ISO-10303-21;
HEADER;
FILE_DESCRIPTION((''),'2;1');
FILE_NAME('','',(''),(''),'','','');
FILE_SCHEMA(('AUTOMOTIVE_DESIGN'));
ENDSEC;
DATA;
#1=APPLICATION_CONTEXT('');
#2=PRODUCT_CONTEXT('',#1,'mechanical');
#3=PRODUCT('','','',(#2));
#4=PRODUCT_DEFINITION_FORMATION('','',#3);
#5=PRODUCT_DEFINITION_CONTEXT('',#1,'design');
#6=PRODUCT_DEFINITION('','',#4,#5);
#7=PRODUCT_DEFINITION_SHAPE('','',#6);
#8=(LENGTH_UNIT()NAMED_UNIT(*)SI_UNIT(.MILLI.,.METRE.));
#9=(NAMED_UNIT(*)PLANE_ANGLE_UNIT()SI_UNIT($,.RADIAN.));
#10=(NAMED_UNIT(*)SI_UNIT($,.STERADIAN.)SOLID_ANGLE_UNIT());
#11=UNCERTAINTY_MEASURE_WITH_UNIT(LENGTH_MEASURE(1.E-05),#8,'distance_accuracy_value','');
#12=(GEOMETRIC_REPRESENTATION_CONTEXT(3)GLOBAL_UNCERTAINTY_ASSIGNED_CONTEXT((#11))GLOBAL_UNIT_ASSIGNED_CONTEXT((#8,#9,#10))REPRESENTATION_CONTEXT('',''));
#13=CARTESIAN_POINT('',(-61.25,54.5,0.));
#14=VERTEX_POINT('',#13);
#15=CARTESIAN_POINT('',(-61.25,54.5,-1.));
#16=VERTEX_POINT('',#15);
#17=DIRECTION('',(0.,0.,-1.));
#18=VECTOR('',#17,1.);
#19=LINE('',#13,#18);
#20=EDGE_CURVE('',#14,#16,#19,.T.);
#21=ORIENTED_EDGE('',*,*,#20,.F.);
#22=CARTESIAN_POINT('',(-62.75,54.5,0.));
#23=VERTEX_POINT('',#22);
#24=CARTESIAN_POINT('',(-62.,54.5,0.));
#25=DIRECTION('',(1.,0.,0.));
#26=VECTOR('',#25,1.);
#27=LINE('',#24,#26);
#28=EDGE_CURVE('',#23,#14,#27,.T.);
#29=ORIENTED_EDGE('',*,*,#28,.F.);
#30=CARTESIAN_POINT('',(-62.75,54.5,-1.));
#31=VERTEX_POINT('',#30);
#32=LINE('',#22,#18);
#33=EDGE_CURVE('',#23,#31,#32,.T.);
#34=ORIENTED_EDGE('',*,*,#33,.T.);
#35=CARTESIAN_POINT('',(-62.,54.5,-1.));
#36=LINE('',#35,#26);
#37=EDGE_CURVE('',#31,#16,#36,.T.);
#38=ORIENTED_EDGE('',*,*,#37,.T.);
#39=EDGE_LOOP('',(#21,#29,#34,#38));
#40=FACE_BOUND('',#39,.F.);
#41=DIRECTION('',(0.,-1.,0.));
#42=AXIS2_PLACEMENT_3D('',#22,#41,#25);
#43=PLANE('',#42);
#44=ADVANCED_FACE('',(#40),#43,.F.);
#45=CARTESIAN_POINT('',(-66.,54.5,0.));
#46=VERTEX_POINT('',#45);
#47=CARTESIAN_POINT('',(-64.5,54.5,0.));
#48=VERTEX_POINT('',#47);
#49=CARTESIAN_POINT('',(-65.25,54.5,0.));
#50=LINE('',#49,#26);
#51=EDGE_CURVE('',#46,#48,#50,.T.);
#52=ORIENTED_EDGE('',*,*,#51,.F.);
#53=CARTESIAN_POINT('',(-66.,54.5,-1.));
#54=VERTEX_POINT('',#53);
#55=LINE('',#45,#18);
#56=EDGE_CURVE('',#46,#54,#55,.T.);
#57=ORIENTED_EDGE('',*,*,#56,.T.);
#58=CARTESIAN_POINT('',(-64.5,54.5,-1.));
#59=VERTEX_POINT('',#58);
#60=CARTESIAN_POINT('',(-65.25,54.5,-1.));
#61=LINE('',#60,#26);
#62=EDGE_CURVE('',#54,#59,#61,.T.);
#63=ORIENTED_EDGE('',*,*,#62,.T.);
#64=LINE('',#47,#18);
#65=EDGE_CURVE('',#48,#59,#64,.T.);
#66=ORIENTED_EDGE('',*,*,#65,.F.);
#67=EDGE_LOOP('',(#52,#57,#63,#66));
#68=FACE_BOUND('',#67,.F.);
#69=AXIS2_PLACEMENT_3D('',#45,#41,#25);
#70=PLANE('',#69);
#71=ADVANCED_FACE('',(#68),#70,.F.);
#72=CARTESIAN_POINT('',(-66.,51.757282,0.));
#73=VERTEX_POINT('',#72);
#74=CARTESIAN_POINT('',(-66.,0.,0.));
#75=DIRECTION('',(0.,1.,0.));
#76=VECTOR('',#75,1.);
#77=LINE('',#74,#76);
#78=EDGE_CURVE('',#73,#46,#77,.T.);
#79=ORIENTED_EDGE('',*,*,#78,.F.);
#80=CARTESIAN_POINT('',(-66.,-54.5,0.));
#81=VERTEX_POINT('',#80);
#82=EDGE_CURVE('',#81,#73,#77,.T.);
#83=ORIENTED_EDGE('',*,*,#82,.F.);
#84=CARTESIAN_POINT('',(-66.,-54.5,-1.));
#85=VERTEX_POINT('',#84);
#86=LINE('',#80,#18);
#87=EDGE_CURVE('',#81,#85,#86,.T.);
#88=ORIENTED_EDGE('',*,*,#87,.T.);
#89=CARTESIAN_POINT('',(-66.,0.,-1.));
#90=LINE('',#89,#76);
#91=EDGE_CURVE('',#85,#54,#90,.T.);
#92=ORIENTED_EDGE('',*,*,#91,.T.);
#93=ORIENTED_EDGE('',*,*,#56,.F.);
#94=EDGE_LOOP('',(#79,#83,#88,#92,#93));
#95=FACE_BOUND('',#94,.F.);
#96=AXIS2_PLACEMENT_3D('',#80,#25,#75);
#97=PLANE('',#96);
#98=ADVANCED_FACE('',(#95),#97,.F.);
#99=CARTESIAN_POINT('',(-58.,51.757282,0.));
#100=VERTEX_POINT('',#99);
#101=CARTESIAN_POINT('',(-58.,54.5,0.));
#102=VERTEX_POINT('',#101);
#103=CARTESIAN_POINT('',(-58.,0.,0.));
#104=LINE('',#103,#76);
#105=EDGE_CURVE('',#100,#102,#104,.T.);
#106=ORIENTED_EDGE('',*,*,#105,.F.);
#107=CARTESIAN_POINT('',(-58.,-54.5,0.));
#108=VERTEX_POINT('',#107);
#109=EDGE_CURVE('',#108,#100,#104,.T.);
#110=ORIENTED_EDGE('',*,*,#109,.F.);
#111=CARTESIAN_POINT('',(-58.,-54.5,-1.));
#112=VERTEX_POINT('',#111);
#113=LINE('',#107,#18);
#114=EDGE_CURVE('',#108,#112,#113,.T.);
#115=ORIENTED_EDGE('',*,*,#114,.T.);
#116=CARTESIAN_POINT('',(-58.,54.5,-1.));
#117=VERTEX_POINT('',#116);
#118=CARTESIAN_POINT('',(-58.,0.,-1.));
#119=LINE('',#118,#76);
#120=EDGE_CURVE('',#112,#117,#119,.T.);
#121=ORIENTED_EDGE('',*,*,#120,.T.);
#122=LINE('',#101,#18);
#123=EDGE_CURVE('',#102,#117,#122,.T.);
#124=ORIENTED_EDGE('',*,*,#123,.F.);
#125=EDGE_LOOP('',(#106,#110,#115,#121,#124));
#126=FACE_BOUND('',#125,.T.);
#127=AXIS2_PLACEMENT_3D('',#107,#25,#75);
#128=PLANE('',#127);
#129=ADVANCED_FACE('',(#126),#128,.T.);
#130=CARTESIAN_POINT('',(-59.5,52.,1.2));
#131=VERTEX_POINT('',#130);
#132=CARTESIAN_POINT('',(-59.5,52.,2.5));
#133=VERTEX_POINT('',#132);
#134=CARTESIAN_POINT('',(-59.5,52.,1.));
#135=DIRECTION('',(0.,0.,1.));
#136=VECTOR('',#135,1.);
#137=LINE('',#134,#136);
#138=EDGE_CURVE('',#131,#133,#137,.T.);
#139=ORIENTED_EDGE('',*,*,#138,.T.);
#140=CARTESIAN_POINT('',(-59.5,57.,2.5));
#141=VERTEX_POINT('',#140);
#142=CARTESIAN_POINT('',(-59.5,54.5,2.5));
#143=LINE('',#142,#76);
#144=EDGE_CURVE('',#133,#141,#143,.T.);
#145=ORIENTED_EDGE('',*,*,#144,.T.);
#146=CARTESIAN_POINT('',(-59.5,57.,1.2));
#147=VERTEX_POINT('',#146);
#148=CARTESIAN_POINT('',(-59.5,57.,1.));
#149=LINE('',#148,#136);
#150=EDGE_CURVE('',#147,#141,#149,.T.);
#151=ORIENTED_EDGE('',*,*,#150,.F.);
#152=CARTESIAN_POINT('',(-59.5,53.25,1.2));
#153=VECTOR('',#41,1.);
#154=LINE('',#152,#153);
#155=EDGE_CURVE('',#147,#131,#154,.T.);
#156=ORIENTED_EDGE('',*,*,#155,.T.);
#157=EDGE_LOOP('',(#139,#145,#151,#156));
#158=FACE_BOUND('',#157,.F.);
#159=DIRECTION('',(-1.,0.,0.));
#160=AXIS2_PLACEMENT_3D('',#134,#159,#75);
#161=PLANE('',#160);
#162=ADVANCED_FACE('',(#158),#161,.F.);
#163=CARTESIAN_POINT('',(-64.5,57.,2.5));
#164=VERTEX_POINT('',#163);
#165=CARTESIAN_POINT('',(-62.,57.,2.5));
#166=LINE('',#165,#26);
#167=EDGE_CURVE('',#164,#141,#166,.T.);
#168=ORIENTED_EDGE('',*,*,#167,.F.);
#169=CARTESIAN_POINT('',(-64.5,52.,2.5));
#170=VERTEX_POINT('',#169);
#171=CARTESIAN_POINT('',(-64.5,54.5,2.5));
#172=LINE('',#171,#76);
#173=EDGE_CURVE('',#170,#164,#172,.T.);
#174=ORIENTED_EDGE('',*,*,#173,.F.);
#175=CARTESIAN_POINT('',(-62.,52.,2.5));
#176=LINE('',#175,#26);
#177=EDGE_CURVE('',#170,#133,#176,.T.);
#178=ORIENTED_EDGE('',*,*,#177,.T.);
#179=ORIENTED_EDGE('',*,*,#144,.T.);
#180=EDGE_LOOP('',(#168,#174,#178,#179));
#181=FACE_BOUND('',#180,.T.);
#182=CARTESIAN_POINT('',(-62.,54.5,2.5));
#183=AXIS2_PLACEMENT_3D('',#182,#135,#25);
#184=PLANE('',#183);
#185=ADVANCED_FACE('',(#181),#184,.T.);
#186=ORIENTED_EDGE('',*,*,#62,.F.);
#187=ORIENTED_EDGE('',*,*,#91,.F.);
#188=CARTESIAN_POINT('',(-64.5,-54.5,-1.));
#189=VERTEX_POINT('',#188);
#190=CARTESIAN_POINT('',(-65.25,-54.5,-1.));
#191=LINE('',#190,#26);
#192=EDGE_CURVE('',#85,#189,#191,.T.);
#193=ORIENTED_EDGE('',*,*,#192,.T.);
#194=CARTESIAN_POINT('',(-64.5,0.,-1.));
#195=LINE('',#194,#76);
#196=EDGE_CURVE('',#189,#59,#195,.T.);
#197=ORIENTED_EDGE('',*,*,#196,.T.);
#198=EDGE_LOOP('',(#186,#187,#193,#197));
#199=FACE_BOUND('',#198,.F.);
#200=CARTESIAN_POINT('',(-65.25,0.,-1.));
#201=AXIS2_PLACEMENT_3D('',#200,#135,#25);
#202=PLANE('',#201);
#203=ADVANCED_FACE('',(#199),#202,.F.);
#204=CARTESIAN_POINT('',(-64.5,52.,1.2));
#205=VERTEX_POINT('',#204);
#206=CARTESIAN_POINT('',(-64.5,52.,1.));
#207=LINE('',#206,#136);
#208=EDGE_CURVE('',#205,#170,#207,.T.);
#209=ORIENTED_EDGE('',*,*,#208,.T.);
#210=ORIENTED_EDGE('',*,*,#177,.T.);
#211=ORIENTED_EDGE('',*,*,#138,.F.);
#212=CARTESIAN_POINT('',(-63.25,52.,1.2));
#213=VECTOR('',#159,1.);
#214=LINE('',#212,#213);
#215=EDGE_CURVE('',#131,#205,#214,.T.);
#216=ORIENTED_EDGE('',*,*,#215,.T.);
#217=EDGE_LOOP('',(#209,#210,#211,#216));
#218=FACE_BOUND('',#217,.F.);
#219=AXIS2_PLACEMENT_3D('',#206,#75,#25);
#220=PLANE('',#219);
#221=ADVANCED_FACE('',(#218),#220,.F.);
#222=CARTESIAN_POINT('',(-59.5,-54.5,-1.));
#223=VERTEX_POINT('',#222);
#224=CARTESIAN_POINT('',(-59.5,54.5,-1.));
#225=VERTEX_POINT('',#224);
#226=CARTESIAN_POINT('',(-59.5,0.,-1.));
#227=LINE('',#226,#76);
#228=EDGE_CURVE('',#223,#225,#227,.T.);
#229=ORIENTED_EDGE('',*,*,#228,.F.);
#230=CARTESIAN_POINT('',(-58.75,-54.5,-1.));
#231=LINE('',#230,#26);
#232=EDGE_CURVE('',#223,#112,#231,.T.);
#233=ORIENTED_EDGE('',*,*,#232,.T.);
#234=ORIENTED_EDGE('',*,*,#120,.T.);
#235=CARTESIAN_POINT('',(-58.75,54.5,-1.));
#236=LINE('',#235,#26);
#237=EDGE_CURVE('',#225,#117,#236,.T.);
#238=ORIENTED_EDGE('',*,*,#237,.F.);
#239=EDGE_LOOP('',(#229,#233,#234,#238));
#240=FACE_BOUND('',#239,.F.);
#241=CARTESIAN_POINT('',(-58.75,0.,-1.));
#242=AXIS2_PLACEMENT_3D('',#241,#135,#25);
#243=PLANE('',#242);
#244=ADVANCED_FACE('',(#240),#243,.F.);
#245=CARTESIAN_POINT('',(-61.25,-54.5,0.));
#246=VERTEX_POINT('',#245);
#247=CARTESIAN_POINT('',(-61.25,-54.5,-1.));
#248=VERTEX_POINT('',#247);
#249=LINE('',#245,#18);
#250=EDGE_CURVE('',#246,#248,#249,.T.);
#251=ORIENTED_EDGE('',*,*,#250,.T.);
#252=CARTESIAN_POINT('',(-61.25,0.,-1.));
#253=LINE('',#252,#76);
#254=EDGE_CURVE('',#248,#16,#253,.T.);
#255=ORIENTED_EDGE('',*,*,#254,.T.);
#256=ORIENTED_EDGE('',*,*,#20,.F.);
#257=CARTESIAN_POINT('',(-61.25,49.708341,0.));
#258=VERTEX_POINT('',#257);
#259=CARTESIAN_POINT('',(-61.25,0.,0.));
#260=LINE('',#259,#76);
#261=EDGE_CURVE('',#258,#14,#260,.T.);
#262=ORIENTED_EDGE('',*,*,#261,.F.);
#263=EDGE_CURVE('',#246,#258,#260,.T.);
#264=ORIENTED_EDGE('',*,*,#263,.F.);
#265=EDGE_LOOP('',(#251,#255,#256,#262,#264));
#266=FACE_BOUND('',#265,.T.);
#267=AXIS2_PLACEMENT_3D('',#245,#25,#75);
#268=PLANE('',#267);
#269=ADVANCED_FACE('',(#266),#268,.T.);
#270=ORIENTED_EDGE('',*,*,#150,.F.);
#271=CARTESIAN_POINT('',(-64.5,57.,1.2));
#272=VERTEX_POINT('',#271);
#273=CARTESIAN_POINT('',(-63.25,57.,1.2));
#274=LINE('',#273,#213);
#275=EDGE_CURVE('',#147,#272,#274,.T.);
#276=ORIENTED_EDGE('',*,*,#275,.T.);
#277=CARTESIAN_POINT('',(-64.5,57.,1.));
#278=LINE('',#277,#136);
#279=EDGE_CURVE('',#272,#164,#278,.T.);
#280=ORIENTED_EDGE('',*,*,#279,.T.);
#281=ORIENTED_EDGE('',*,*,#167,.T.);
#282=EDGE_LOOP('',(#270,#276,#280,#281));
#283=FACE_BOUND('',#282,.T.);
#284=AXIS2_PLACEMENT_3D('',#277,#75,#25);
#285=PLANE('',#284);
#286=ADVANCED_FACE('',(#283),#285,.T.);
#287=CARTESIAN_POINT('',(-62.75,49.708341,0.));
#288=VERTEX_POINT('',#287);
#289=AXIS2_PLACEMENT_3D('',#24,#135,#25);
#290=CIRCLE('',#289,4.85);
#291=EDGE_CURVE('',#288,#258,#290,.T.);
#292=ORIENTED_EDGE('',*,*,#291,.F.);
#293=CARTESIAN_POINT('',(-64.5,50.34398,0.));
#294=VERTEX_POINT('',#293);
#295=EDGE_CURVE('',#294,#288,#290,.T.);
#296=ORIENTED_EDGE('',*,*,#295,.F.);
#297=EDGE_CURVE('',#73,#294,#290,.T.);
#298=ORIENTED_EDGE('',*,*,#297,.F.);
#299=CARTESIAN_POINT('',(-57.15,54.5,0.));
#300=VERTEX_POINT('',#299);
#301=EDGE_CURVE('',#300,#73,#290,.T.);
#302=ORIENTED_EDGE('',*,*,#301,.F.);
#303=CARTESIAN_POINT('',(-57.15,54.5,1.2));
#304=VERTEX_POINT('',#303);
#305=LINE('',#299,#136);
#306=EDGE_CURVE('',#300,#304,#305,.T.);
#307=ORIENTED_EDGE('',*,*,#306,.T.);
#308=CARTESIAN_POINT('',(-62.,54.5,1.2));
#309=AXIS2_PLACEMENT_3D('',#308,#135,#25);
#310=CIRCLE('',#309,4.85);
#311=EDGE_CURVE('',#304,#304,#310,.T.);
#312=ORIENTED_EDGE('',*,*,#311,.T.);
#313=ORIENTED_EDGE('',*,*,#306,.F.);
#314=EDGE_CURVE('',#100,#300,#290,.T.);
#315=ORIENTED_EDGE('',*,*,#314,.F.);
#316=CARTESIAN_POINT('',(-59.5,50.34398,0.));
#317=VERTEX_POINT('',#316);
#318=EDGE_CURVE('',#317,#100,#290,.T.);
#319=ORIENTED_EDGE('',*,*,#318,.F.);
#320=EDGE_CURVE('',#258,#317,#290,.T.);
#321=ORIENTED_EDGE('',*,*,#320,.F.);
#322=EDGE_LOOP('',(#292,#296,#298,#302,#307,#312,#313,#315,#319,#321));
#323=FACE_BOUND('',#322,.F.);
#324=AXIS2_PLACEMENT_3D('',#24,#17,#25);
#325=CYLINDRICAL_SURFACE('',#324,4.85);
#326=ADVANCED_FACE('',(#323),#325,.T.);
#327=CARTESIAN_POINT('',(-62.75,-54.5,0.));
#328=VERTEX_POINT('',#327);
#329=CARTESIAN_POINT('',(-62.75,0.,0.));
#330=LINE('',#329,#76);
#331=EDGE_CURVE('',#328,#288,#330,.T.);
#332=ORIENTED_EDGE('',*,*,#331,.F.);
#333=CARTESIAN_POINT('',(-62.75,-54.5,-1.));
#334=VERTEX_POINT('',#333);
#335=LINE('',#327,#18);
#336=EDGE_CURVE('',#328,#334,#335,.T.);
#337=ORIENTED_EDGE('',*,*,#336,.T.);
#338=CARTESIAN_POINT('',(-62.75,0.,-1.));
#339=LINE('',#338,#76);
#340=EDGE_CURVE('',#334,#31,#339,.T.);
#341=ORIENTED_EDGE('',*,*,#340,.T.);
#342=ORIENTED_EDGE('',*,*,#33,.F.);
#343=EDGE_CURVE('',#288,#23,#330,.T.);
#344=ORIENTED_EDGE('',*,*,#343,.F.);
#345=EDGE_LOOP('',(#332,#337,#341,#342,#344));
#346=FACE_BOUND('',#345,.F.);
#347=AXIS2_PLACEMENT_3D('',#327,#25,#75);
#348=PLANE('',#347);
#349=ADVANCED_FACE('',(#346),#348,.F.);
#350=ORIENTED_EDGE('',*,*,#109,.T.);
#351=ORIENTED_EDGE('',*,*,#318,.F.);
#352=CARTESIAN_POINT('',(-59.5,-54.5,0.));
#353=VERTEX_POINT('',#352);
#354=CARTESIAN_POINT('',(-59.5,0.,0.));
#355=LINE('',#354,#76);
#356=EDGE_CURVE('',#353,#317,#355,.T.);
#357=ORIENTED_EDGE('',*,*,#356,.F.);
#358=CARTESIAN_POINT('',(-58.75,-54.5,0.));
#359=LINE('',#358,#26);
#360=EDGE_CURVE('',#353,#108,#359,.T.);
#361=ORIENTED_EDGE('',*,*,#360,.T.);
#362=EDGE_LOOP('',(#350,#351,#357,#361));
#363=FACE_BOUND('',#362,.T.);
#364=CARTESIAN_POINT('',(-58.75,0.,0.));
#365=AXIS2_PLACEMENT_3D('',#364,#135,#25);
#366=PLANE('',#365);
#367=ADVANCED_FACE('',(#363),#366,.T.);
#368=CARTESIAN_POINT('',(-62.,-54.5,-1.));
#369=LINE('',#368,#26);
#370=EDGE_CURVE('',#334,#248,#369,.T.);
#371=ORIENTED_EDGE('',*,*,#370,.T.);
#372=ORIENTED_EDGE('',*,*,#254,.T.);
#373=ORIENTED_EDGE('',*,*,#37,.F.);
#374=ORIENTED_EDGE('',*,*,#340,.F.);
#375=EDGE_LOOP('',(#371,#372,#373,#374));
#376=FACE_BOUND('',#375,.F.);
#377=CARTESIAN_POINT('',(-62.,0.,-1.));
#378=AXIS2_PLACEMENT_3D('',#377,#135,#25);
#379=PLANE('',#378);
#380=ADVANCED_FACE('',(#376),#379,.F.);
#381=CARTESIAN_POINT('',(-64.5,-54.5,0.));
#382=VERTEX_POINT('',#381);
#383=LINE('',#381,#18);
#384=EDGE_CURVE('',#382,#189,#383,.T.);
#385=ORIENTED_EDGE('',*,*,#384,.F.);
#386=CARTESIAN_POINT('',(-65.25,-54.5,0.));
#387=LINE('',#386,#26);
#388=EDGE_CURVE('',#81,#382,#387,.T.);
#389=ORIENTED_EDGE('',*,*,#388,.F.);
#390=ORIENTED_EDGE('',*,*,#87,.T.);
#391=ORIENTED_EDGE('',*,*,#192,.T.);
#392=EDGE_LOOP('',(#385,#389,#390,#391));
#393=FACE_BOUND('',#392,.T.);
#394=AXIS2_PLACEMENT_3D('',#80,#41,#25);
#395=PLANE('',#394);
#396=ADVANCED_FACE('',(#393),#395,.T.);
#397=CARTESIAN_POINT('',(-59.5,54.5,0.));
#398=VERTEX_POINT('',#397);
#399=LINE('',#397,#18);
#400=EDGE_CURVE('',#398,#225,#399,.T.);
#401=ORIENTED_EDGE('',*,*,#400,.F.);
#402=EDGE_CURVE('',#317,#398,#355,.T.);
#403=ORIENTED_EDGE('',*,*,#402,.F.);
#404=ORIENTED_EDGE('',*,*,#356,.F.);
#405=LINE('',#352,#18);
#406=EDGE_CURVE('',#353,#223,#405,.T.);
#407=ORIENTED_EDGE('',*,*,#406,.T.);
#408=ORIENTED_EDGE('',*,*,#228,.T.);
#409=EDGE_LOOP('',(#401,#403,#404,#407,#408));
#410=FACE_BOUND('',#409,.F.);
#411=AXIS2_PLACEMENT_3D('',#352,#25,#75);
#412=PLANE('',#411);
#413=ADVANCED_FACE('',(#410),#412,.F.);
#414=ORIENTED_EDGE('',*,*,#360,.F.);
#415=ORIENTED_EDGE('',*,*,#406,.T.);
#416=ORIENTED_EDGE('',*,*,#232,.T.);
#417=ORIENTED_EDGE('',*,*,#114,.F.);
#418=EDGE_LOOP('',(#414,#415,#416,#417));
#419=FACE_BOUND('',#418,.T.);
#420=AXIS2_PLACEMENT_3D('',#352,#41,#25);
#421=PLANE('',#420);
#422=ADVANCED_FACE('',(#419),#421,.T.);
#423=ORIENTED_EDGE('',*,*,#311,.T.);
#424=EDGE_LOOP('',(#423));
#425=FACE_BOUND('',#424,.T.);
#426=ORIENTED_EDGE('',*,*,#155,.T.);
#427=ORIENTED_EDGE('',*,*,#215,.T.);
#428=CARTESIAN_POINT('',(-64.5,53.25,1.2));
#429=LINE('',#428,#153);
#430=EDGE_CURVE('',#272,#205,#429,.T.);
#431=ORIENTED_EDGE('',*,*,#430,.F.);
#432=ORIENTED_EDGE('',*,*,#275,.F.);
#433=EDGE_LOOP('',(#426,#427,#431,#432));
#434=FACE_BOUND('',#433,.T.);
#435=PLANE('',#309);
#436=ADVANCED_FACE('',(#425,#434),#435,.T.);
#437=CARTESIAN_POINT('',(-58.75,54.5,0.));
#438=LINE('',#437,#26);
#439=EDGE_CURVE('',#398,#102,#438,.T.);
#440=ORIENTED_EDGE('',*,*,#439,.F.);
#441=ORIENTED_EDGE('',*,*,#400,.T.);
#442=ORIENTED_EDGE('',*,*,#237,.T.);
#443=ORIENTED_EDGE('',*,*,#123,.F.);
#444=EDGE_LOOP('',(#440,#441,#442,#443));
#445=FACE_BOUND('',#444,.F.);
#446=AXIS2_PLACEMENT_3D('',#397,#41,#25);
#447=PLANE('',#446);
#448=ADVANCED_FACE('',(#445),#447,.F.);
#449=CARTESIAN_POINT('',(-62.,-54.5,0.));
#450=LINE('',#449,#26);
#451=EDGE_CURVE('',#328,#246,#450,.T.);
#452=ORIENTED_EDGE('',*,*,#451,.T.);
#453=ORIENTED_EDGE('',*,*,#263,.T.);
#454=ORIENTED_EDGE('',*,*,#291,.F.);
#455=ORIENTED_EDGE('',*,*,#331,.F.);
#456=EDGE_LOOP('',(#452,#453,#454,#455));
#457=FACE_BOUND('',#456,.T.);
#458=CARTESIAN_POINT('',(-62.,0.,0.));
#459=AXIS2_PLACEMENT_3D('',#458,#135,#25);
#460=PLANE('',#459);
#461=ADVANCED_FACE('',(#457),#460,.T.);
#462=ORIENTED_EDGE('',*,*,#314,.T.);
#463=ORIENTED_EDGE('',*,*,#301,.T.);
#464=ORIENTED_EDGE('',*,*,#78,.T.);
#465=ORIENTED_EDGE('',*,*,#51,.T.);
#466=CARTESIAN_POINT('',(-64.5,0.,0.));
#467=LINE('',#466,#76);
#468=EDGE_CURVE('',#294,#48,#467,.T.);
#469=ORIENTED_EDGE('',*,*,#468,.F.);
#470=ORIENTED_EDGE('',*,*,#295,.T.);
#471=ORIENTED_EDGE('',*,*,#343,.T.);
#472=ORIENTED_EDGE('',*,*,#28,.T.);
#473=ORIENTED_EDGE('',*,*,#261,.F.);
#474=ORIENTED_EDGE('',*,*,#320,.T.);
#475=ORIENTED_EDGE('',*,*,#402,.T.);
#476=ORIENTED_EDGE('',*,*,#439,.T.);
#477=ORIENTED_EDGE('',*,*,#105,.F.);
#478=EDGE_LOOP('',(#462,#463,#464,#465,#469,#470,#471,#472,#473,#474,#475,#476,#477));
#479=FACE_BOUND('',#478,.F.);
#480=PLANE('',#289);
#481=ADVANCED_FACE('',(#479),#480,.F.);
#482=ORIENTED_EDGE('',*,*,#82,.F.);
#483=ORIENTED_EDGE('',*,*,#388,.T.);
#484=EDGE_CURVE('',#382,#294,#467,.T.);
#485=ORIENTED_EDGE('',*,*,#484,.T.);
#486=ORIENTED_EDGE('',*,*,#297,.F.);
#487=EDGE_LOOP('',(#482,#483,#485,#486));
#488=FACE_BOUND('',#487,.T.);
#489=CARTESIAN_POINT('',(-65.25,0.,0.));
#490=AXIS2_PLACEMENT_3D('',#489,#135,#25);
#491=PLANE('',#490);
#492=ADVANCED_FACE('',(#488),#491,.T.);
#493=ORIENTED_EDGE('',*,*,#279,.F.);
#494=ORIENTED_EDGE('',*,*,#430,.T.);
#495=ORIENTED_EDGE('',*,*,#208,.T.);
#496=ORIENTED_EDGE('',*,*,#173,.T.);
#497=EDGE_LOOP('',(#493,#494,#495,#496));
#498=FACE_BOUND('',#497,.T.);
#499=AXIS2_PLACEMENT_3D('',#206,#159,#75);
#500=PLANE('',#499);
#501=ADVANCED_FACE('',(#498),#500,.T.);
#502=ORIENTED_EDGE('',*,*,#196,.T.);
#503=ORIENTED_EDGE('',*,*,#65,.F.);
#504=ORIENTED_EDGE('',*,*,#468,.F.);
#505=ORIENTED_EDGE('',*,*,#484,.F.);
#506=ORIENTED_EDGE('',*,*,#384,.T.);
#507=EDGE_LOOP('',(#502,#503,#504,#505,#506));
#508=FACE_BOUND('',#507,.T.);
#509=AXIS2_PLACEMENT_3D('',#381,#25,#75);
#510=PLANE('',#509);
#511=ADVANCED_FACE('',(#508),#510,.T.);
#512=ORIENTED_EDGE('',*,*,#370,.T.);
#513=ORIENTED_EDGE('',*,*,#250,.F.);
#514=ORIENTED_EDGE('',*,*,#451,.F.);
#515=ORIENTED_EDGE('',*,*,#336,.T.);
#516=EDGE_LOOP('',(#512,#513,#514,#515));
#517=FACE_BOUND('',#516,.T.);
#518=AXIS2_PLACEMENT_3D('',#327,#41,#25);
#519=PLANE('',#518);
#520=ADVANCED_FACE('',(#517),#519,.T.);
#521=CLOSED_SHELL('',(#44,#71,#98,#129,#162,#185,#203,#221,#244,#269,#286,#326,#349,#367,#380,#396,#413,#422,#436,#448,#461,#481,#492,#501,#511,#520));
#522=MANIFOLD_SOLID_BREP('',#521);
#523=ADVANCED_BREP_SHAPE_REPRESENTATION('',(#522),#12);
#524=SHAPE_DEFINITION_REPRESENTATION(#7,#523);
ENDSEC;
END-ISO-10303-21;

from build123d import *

# Parameters (mm, degrees)
CYLINDER003_R     = 4.85
CYLINDER003_DEPTH = 1.2
SKETCH037_W       = 1.5
SKETCH037_H       = 109
PAD020_DEPTH      = 1
BOX001_W          = 5
BOX001_H          = 5
BOX001_DEPTH      = 1.5


with BuildPart() as part:
    # Cylinder003 → Cylinder003 (join)
    with BuildSketch(Plane(origin=(0, 54.5, 0), x_dir=(1, 0, 0), z_dir=(0, 0, 1))):
        Circle(CYLINDER003_R)
    extrude(amount=CYLINDER003_DEPTH)

    # Sketch037 → Pad020 (join)
    with BuildSketch(Plane.XY):
        with Locations((-3.25, 0)):
            Rectangle(SKETCH037_W, SKETCH037_H)
        with Locations((3.25, 0)):
            Rectangle(SKETCH037_W, SKETCH037_H)
        Rectangle(SKETCH037_W, SKETCH037_H)
    extrude(amount=-PAD020_DEPTH)

    # Box001 → Box001 (join)
    with BuildSketch(Plane(origin=(-2.5, 52, 1), x_dir=(1, 0, 0), z_dir=(0, 0, 1))):
        with Locations((2.5, 2.5)):
            Rectangle(BOX001_W, BOX001_H)
    extrude(amount=BOX001_DEPTH)


with BuildPart() as part_1:
    # Body019 placement: moved
    add(part.part.moved(Location((-62, 0, 0))))


solid = part_1.part
